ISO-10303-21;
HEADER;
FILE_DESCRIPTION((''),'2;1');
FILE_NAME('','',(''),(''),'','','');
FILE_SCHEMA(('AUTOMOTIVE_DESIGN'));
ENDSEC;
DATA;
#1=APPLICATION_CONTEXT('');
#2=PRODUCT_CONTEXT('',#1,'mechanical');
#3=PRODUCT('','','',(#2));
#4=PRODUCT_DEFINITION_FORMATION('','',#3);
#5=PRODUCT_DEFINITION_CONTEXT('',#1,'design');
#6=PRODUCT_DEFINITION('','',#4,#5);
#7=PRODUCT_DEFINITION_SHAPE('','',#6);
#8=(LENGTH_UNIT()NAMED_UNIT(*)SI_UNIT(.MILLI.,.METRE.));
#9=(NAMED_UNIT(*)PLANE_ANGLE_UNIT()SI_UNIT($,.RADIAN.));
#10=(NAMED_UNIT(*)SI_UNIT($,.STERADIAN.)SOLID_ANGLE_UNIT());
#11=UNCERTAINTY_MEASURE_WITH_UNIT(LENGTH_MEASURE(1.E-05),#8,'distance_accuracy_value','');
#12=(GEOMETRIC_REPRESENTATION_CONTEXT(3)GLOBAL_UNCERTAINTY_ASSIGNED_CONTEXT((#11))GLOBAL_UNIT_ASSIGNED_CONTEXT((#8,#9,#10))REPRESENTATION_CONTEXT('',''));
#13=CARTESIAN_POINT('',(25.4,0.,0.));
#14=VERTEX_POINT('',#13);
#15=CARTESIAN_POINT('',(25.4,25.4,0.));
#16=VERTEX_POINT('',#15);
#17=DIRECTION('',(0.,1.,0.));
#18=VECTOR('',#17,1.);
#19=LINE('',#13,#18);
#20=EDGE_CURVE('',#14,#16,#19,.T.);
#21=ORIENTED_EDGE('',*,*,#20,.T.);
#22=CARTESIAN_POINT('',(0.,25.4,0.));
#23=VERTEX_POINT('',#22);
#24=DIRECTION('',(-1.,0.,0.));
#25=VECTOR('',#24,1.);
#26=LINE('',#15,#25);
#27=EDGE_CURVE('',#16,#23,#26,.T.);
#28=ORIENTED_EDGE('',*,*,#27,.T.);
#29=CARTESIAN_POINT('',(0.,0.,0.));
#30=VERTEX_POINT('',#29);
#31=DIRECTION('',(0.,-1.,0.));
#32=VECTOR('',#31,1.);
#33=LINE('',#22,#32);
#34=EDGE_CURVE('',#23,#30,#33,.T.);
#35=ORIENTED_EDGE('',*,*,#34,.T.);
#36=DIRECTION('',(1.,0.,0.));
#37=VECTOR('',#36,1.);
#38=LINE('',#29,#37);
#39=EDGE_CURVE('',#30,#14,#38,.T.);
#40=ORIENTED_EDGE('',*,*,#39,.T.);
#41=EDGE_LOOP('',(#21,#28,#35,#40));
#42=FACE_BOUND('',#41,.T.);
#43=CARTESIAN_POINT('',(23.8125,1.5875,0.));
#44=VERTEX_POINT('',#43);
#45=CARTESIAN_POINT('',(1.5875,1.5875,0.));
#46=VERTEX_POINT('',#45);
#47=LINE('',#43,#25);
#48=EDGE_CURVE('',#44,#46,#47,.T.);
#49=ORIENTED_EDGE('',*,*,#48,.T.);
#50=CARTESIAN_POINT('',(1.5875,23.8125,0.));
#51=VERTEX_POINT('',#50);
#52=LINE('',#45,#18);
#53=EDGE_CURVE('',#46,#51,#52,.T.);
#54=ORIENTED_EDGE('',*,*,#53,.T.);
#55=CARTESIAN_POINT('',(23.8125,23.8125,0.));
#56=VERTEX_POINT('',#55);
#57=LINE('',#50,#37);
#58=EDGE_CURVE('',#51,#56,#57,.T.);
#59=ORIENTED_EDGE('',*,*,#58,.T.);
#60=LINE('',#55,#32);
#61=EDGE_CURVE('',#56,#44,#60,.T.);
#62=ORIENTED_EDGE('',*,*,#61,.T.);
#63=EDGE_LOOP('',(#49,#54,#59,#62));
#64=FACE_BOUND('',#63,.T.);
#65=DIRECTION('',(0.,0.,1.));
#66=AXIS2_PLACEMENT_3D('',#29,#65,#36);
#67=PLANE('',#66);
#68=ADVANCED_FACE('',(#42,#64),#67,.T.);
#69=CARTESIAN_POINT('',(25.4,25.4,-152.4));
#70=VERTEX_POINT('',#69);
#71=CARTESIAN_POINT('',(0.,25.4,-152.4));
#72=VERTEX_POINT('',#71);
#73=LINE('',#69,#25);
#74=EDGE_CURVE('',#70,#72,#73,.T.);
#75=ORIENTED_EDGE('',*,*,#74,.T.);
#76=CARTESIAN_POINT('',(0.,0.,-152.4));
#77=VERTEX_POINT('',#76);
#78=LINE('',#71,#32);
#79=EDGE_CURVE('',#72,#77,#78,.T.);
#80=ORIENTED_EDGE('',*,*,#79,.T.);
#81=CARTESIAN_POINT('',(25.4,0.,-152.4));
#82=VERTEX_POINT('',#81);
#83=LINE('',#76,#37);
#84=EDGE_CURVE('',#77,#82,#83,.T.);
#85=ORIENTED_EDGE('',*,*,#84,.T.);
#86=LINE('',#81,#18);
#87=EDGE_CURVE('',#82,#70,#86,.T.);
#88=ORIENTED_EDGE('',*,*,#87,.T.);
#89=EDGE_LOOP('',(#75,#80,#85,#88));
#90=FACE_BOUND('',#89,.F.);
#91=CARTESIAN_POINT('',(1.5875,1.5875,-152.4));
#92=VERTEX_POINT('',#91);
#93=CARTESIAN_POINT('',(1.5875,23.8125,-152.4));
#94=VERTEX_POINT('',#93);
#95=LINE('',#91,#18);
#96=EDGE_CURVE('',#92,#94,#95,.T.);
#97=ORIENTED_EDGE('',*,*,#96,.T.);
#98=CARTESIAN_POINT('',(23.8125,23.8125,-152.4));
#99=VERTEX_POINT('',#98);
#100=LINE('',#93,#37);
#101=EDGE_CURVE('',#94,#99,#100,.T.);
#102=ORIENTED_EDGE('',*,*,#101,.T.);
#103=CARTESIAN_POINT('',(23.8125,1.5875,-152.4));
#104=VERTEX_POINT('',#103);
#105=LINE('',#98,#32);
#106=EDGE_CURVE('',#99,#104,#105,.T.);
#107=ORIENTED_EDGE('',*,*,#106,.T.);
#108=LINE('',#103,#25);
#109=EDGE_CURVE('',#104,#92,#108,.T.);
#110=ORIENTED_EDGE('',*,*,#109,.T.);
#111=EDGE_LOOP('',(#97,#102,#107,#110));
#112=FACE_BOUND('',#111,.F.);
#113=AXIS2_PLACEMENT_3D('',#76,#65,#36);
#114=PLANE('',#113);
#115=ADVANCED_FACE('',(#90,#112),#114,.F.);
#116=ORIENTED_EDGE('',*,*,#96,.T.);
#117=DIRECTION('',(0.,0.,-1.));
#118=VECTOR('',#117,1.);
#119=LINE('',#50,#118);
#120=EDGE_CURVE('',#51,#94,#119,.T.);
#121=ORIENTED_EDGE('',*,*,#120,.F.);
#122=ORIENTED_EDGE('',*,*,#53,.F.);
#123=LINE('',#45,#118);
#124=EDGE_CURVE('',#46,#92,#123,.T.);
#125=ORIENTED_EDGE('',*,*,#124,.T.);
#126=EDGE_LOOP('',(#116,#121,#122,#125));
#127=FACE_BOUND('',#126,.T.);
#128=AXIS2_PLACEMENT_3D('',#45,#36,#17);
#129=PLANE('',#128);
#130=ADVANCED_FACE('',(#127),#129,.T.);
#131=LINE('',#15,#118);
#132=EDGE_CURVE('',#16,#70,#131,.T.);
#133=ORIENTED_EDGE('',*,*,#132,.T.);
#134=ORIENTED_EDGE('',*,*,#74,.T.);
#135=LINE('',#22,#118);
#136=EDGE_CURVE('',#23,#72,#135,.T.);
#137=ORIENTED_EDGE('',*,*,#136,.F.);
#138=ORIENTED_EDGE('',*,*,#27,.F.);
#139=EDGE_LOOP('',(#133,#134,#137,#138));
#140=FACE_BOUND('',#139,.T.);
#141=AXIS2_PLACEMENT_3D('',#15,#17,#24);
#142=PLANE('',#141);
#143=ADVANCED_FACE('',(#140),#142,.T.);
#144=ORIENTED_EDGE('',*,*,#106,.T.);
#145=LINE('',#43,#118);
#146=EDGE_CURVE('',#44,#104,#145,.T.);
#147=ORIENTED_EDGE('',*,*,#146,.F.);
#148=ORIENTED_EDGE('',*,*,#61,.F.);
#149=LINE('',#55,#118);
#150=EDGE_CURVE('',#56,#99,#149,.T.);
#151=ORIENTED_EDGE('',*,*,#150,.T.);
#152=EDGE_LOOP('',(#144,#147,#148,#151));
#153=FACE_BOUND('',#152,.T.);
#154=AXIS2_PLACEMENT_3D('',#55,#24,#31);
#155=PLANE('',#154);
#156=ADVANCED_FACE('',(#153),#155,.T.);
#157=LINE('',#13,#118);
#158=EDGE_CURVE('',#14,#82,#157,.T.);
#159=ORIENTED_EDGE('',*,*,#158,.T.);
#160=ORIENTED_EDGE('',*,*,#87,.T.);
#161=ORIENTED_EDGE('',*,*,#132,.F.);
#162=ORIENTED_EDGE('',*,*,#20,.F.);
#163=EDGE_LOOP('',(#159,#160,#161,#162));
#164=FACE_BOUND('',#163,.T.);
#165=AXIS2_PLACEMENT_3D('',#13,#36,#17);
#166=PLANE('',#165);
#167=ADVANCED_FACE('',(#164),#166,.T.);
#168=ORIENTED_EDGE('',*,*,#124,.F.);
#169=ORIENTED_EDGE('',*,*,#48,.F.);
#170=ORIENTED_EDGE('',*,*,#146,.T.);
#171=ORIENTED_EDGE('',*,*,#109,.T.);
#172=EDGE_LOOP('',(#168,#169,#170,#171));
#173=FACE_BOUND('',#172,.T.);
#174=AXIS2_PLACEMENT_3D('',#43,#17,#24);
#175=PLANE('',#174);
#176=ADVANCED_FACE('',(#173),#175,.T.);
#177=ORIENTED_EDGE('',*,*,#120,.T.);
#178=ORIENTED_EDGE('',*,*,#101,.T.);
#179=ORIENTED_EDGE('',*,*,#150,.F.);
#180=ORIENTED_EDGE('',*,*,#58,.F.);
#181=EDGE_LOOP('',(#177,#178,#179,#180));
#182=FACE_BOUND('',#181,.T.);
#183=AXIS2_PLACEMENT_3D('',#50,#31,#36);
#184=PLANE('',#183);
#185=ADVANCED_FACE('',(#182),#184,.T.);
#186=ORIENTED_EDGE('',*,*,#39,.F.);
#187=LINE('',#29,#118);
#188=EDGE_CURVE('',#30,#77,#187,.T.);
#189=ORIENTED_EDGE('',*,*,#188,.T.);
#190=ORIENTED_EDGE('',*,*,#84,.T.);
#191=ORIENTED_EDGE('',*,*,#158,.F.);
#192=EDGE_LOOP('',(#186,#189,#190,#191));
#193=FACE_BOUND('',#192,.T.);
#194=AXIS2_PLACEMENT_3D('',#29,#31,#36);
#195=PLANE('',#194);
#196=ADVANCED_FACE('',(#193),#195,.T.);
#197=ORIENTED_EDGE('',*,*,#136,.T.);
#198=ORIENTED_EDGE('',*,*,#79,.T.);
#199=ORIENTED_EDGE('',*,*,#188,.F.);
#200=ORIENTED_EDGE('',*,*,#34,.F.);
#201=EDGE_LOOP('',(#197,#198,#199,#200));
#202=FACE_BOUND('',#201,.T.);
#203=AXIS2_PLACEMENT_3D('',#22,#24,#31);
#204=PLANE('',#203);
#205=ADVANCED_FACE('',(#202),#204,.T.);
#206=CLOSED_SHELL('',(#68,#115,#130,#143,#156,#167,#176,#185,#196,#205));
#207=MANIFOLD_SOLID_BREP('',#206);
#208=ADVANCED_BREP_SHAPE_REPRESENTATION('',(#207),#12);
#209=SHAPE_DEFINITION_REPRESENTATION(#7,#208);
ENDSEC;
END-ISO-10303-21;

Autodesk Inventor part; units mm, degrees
ref_plane "YZ Plane" through (0, 0, 0) normal (1, 0, 0) x (0, 1, 0)
ref_plane "XZ Plane" through (0, 0, 0) normal (0, 1, 0) x (-1, 0, 0)
ref_plane "XY Plane" through (0, 0, 0) normal (0, 0, 1) x (1, 0, 0)
sketch "Sketch1" plane through (0, 0, 0) normal (0, 0, 1) x (1, 0, 0)
  line L0 (0, 0) -> (25.4, 0)
  line L1 (25.4, 0) -> (25.4, 25.4)
  line L2 (25.4, 25.4) -> (0, 25.4)
  line L3 (0, 25.4) -> (0, 0)
  line L4 (1.5875, 23.8125) -> (23.8125, 23.8125)
  line L5 (23.8125, 23.8125) -> (23.8125, 1.5875)
  line L6 (23.8125, 1.5875) -> (1.5875, 1.5875)
  line L7 (1.5875, 1.5875) -> (1.5875, 23.8125)
  dimension "d0" = 25.4
  dimension "d1" = 25.4
  dimension "d2" = 1.5875
extrude "Extrusion1" add sketch "Sketch1" against normal blind 152.4
properties part number "1tube_6_midlayer"
